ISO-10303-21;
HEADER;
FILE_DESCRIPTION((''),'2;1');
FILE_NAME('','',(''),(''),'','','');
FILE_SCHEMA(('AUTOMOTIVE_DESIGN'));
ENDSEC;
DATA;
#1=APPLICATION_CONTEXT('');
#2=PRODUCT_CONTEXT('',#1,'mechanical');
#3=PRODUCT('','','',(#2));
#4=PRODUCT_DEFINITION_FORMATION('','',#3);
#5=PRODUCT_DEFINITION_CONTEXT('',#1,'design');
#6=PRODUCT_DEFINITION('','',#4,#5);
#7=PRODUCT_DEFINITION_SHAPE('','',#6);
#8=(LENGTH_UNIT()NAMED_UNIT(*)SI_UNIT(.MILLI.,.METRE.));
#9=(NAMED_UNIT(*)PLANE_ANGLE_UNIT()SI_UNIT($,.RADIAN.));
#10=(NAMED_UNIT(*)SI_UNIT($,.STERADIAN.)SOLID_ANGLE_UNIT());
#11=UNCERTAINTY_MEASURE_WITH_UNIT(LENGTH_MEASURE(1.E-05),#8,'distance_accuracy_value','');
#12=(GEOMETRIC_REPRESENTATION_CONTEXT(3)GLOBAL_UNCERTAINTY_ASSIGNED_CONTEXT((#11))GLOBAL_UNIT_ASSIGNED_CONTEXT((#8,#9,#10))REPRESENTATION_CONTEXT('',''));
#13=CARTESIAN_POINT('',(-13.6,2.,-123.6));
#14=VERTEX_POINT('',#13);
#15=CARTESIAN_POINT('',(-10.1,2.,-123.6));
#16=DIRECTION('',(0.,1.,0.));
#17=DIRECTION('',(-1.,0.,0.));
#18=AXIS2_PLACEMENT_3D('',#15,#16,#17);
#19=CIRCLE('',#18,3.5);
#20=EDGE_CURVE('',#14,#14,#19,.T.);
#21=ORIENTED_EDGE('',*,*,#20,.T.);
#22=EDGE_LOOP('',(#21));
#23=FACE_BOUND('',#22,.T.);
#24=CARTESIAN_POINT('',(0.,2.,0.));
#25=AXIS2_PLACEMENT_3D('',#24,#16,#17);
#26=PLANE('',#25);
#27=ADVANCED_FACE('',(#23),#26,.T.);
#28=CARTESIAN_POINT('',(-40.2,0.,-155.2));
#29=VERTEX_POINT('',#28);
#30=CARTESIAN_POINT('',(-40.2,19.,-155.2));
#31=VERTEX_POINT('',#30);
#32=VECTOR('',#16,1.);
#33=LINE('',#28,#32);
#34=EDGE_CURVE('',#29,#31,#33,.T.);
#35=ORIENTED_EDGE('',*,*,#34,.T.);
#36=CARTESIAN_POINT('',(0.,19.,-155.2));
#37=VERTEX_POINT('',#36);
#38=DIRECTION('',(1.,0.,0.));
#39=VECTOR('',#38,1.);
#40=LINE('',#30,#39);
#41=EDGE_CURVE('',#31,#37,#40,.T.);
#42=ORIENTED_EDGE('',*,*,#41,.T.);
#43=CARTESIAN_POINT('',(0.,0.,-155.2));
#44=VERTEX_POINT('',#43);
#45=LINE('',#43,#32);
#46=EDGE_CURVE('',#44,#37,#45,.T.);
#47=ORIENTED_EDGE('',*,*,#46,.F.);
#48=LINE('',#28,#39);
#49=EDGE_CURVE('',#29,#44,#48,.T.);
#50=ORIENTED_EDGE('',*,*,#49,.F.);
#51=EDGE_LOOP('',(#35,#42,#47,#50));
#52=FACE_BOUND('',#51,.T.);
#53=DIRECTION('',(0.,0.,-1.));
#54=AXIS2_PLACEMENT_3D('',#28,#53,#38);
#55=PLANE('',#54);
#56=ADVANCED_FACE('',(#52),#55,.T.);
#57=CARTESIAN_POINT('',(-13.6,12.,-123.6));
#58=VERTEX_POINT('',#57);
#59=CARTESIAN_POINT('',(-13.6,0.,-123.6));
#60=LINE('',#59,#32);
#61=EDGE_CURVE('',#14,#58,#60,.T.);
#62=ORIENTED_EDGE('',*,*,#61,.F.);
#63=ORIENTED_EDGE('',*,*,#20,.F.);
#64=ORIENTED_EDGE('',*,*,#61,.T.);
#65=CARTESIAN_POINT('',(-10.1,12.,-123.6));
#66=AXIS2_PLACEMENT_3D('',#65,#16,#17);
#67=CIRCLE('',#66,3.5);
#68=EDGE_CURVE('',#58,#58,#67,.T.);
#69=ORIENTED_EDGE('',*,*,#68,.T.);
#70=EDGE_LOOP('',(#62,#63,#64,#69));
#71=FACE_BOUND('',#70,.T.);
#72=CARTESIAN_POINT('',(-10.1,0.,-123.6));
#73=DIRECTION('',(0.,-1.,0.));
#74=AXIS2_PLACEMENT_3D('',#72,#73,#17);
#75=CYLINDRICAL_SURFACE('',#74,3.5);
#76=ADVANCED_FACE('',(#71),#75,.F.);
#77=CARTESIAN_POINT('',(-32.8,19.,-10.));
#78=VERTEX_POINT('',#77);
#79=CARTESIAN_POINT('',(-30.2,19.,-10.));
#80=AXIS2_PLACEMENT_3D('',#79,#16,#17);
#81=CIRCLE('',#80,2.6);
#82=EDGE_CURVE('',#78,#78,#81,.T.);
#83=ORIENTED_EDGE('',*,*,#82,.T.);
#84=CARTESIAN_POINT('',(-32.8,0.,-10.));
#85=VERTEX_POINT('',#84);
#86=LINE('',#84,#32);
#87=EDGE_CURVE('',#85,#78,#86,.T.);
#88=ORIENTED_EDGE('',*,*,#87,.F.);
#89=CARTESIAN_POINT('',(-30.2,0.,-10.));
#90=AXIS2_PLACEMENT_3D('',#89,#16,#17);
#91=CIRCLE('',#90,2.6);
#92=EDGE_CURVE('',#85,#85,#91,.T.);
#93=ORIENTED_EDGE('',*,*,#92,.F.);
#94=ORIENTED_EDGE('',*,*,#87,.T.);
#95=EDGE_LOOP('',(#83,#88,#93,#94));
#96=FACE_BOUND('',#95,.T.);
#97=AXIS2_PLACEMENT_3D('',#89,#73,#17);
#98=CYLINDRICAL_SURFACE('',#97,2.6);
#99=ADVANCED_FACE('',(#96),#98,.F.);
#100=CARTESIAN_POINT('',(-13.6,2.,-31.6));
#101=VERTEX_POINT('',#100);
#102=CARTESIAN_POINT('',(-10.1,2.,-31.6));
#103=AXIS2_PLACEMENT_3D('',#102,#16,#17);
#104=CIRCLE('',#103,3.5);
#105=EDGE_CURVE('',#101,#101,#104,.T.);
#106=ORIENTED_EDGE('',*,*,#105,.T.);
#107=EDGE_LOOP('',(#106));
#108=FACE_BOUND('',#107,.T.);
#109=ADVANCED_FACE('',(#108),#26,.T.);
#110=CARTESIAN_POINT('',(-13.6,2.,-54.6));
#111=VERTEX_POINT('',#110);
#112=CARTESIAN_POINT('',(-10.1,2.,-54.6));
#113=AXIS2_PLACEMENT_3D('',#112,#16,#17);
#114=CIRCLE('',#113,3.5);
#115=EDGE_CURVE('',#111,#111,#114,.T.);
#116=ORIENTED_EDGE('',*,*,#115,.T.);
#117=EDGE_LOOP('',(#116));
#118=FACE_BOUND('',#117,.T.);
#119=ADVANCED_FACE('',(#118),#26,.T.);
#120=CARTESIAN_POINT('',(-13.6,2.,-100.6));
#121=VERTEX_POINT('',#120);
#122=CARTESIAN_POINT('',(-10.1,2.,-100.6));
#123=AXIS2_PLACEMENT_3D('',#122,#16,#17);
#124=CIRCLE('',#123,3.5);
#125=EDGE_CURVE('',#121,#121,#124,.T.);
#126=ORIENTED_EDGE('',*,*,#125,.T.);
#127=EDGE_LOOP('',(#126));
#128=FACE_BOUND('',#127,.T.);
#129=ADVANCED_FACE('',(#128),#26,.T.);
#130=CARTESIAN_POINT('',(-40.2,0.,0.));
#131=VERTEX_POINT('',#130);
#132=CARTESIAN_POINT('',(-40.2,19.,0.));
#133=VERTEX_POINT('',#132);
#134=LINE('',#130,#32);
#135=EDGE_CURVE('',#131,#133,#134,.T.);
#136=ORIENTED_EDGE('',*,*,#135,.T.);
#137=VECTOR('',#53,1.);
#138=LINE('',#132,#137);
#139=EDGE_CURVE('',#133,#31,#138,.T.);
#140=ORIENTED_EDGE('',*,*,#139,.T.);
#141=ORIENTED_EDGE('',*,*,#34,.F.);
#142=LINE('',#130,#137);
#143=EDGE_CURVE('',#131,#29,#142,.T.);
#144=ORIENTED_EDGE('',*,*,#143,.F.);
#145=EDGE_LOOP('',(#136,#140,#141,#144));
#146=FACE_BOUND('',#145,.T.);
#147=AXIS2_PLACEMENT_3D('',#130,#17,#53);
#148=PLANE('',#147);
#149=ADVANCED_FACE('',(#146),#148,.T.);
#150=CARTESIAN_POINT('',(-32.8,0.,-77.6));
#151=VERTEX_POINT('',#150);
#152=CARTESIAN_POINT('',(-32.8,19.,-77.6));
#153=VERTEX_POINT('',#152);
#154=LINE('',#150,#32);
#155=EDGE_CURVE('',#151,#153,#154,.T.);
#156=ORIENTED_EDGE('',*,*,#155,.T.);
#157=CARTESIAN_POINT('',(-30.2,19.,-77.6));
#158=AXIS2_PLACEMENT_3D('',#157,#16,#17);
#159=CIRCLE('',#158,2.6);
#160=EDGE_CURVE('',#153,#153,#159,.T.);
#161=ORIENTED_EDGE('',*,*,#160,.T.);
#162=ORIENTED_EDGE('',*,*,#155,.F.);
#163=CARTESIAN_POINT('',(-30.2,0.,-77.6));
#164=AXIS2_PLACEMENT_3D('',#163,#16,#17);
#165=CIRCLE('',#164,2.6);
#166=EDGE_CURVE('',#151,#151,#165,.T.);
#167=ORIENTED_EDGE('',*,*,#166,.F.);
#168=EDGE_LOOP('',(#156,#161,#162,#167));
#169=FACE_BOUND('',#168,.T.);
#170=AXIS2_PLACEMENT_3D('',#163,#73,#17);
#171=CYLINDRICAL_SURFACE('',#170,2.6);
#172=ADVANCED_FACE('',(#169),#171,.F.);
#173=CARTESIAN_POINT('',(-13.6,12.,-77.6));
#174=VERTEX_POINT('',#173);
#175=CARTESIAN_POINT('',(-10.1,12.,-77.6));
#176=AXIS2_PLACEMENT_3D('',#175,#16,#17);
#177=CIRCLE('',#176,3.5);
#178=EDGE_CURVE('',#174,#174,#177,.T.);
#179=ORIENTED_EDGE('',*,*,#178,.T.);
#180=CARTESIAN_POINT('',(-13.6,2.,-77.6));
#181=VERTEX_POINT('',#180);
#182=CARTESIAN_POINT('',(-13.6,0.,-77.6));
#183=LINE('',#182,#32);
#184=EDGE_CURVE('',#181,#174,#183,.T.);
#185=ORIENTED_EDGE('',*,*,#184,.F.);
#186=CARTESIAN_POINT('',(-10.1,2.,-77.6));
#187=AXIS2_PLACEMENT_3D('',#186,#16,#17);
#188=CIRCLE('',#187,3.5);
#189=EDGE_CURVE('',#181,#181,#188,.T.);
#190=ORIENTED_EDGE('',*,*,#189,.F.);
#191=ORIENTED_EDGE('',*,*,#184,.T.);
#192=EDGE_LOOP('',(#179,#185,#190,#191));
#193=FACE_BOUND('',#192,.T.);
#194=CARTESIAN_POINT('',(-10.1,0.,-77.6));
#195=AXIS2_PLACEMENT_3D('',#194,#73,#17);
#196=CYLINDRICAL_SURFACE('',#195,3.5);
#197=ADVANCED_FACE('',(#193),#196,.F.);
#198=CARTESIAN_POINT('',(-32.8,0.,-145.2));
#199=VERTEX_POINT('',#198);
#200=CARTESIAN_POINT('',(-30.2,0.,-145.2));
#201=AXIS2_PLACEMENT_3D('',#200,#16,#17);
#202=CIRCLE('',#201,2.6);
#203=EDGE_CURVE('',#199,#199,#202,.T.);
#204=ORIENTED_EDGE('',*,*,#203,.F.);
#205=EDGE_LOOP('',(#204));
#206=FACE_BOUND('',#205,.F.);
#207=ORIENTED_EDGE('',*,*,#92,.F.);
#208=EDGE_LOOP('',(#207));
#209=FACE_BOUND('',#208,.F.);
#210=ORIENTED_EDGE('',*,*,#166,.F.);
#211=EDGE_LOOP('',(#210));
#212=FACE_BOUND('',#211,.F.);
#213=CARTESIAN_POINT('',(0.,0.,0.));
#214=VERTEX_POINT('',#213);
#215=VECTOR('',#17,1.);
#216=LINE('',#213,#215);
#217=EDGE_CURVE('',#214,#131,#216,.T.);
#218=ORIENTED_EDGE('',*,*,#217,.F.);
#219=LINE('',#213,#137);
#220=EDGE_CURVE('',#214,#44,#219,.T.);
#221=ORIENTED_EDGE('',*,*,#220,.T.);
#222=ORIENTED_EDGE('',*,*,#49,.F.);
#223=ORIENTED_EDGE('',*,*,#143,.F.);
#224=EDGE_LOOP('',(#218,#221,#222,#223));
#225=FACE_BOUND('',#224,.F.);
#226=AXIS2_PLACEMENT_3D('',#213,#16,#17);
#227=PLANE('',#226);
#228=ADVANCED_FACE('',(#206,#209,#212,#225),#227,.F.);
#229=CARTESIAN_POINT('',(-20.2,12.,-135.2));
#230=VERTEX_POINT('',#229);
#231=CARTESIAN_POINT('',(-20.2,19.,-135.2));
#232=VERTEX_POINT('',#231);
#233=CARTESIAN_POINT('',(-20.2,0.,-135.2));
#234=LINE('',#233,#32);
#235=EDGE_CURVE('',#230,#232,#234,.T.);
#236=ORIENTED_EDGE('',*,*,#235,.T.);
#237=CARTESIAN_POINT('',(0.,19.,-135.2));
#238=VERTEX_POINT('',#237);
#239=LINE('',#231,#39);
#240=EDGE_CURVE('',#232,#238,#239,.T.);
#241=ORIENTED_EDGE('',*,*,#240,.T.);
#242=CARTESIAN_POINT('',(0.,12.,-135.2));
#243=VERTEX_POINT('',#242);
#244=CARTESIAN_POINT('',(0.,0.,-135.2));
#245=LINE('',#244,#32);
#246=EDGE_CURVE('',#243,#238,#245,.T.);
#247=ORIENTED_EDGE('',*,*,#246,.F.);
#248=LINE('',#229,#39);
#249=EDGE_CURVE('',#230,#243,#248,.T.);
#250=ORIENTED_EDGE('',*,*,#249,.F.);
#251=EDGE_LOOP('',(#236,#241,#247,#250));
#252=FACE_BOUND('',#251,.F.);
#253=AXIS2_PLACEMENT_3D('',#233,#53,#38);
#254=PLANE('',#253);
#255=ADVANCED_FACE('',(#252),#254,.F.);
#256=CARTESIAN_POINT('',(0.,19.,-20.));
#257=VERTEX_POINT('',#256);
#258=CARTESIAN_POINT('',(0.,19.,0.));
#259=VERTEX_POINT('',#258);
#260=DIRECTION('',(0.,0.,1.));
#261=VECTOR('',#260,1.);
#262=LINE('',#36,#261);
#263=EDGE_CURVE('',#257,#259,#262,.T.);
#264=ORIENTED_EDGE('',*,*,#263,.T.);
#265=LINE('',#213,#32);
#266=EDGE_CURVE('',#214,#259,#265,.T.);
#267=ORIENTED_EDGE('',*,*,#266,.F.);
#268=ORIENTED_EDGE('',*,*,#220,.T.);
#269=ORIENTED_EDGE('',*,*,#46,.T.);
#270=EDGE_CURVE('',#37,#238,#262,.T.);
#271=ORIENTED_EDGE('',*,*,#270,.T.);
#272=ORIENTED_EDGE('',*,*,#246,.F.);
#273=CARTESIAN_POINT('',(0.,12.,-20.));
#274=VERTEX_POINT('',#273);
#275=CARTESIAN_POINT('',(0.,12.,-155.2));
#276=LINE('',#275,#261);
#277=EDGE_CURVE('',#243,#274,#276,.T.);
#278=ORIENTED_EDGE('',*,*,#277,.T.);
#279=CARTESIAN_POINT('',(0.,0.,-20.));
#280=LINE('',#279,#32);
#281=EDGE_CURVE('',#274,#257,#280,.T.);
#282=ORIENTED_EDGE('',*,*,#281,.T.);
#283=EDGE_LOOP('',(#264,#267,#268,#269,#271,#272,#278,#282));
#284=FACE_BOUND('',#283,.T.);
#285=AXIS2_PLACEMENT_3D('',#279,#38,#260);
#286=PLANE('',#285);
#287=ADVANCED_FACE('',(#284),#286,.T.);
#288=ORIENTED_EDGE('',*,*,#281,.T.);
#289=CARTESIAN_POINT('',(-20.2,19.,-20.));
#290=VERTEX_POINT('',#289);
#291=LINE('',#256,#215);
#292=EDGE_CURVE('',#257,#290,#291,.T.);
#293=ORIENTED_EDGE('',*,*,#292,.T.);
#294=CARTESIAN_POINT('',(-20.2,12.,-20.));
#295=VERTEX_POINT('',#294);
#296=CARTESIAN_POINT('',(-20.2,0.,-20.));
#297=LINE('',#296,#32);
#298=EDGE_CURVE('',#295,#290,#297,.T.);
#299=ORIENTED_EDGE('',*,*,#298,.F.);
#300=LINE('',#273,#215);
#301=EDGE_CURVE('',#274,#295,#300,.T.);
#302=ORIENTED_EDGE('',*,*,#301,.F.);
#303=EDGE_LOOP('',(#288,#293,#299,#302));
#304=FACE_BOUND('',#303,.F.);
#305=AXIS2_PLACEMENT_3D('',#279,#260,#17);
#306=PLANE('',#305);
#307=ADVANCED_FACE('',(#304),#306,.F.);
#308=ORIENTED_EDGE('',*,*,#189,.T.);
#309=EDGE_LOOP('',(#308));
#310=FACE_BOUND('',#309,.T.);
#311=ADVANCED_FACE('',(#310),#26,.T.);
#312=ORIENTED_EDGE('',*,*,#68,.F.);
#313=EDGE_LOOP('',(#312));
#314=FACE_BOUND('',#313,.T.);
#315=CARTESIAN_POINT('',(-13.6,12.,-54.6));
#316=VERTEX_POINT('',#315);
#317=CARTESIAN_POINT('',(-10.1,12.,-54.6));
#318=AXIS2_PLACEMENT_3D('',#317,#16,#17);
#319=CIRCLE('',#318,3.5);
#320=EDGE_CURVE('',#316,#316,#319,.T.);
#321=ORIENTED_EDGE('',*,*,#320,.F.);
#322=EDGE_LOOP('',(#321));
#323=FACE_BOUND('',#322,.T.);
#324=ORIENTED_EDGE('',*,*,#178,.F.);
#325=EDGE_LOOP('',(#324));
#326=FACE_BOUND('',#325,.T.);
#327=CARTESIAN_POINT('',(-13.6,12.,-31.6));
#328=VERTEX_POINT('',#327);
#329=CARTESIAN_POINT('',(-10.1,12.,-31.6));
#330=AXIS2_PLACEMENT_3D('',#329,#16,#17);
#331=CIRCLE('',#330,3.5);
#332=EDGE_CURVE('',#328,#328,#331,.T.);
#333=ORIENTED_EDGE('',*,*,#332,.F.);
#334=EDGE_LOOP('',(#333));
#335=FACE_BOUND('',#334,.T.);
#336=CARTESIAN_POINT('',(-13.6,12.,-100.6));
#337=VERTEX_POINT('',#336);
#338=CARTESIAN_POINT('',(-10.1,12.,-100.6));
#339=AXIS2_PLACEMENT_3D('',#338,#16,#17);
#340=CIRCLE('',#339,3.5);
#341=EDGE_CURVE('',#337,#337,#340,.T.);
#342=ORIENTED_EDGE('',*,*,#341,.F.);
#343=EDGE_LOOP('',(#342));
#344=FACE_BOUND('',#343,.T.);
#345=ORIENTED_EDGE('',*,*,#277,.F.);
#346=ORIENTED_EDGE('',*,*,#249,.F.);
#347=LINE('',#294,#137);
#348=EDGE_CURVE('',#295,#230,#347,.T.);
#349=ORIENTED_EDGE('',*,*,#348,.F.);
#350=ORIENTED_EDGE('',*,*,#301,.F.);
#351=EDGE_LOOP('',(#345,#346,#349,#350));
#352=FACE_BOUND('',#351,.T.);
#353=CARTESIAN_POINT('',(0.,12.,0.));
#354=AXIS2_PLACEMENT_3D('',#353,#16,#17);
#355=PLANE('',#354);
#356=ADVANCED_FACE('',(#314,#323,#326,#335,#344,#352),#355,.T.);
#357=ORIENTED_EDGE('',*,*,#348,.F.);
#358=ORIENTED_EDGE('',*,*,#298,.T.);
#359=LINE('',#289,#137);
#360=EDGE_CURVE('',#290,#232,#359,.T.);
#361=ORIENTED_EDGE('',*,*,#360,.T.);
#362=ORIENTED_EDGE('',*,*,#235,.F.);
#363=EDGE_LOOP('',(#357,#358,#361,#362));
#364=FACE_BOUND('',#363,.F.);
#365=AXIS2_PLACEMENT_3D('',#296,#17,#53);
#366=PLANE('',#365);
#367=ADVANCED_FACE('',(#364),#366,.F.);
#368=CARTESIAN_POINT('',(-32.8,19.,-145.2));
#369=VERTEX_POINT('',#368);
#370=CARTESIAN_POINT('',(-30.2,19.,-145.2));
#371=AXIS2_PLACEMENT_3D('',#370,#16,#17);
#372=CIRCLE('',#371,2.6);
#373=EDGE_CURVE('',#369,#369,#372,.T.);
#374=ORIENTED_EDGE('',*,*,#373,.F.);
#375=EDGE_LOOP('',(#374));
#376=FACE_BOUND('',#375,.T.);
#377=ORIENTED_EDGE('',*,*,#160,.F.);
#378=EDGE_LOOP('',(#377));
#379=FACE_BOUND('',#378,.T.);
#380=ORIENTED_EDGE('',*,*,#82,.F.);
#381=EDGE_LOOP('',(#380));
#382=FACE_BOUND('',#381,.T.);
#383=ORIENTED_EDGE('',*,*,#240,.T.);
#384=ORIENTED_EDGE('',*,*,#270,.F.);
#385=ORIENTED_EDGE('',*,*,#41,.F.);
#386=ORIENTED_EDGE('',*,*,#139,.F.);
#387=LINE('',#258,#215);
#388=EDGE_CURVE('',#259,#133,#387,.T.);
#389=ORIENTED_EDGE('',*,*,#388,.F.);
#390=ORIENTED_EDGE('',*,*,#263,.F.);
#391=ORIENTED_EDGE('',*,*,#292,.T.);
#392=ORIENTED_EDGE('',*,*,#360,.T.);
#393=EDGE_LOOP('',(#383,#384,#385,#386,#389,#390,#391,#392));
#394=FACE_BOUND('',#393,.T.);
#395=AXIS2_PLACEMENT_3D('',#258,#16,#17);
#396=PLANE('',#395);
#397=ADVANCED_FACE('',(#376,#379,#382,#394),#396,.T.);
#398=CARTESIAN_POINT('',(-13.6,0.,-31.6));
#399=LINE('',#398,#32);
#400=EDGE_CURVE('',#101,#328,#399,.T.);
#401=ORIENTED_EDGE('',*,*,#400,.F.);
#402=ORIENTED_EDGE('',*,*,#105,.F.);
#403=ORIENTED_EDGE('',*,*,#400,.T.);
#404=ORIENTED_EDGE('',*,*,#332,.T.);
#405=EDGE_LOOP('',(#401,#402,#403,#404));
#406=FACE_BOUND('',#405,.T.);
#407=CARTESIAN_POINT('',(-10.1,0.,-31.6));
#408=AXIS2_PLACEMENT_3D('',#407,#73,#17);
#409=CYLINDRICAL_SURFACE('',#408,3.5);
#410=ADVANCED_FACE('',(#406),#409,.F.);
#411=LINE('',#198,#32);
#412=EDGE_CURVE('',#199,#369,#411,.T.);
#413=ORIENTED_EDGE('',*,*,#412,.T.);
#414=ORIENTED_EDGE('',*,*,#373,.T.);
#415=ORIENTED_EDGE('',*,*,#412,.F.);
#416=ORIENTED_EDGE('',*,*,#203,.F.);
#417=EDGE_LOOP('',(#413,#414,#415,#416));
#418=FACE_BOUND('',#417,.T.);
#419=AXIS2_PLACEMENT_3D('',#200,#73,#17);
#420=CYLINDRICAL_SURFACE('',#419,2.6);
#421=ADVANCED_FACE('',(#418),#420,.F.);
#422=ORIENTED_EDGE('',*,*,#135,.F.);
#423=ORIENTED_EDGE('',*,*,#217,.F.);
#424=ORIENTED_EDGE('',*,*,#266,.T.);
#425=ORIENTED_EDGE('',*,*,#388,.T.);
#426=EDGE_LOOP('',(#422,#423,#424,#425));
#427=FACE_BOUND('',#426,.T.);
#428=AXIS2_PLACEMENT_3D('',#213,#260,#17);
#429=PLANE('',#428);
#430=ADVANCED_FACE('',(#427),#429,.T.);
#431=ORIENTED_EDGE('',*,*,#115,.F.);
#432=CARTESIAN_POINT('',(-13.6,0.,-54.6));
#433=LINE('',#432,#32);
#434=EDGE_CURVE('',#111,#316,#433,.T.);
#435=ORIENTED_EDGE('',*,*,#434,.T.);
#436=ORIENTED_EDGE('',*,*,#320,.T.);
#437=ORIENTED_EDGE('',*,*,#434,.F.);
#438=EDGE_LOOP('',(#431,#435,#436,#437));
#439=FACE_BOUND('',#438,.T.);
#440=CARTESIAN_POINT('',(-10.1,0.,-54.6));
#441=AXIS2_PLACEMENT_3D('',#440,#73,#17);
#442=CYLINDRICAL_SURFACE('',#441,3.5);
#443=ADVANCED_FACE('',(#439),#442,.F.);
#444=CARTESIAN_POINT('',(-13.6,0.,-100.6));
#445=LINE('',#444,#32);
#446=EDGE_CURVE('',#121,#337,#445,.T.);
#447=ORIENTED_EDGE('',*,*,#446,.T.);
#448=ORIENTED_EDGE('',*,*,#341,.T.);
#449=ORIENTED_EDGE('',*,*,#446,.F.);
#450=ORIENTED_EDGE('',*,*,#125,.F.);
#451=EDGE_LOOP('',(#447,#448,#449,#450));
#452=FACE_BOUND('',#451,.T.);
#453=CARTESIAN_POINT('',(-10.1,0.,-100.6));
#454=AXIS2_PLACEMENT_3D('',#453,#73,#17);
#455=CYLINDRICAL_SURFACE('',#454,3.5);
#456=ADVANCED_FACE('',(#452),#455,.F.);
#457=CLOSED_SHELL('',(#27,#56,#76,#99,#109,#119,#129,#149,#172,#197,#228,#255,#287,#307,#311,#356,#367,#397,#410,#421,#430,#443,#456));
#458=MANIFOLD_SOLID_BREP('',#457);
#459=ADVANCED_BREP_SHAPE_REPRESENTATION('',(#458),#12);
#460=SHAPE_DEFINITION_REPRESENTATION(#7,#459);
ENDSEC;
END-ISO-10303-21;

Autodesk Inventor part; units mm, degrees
ref_plane "YZ Plane" through (0, 0, 0) normal (1, 0, 0) x (0, 1, 0)
ref_plane "XZ Plane" through (0, 0, 0) normal (0, 1, 0) x (-1, 0, 0)
ref_plane "XY Plane" through (0, 0, 0) normal (0, 0, 1) x (1, 0, 0)
sketch "Sketch1" plane through (0, 0, 0) normal (0, 1, 0) x (-1, 0, 0)
  line L0 (0, 0) -> (40.2, 0)
  line L1 (40.2, 0) -> (40.2, -155.2)
  line L2 (40.2, -155.2) -> (0, -155.2)
  line L3 (0, -155.2) -> (0, 0)
  line L4 (0, -20) -> (20.2, -20)
  line L5 (20.2, -20) -> (20.2, -135.2)
  line L6 (20.2, -135.2) -> (0, -135.2)
  line L7 (0, -135.2) -> (0, -20)
  line L8 (10.1, -135.2) -> (10.1, -20) construction
  line L9 (20.2, -77.6) -> (0, -77.6) construction
  circle A0 centre (10.1, -77.6) radius 3.5
  line L10 (0, -54.6) -> (20.2, -54.6) construction
  line L11 (20.2, -31.6) -> (0, -31.6) construction
  circle A1 centre (10.1, -54.6) radius 3.5
  circle A2 centre (10.1, -31.6) radius 3.5
  circle A3 centre (10.1, -100.6) radius 3.5
  circle A4 centre (10.1, -123.6) radius 3.5
  line L12 (40.2, -155.2) -> (20.2, -135.2) construction
  line L13 (30.2, -155.2) -> (30.2, 0) construction
  line L14 (20.2, -20) -> (40.2, 0) construction
  circle A5 centre (30.2, -145.2) radius 2.6
  circle A6 centre (30.2, -10) radius 2.6
  circle A7 centre (30.2, -77.6) radius 2.6
  point P0 (0, -135.2)
  dimension "d0" = 115.2
  dimension "d1" = 20.2
  dimension "d2" = 7
  dimension "d3" = 23
  dimension "d4" = 23
  dimension "d11" = 20
  dimension "d12" = 20
  dimension "d13" = 20
  dimension "d14" = 5.2
extrude "Extrusion1" add sketch "Sketch1" along normal blind 12 contours L4 L5 L6 L3
extrude "Extrusion2" add sketch "Sketch1" along normal blind 2 contours A0 | A1 | A2 | A3 | A4
extrude "Extrusion3" add sketch "Sketch1" along normal blind 19 contours L0 L1 L2 L3 L6 L5 L4
equation "\"d1\" = screwTabWidth + tolerance"
equation "\"d2\" = insertDiameter"
equation "\"d11\" = screwTabWidth"
equation "\"d12\" = screwTabWidth"
equation "\"d13\" = screwTabWidth"
equation "\"d14\" = screwDiameter + tolerance"
equation "\"d5\" = insertPadding + insertLength"
equation "\"d7\" = insertPadding"
equation "\"d9\" = insertLength + insertPadding + baseThickness"
equation "\"insertDiameter\" = 7"
equation "\"insertLength\" = 10"
equation "\"insertPadding\" = 2"
equation "\"tolerance\" = 0.2"
equation "\"cellSpacing_1\" = 1"
equation "\"screwDiameter_1\" = 5"
equation "\"baseThickness_1\" = 7"
equation "\"tabThickness_1\" = 0.8"
equation "\"batteryBoxWidth\" = 162"
equation "\"sheetMetalThickness\" = 3.175"
equation "\"screwTabWidth\" = 20"
equation "\"screwDiameter\" = 5"
equation "\"baseThickness\" = 7"
properties part number "CO-1-1-CellSpacerMount"
